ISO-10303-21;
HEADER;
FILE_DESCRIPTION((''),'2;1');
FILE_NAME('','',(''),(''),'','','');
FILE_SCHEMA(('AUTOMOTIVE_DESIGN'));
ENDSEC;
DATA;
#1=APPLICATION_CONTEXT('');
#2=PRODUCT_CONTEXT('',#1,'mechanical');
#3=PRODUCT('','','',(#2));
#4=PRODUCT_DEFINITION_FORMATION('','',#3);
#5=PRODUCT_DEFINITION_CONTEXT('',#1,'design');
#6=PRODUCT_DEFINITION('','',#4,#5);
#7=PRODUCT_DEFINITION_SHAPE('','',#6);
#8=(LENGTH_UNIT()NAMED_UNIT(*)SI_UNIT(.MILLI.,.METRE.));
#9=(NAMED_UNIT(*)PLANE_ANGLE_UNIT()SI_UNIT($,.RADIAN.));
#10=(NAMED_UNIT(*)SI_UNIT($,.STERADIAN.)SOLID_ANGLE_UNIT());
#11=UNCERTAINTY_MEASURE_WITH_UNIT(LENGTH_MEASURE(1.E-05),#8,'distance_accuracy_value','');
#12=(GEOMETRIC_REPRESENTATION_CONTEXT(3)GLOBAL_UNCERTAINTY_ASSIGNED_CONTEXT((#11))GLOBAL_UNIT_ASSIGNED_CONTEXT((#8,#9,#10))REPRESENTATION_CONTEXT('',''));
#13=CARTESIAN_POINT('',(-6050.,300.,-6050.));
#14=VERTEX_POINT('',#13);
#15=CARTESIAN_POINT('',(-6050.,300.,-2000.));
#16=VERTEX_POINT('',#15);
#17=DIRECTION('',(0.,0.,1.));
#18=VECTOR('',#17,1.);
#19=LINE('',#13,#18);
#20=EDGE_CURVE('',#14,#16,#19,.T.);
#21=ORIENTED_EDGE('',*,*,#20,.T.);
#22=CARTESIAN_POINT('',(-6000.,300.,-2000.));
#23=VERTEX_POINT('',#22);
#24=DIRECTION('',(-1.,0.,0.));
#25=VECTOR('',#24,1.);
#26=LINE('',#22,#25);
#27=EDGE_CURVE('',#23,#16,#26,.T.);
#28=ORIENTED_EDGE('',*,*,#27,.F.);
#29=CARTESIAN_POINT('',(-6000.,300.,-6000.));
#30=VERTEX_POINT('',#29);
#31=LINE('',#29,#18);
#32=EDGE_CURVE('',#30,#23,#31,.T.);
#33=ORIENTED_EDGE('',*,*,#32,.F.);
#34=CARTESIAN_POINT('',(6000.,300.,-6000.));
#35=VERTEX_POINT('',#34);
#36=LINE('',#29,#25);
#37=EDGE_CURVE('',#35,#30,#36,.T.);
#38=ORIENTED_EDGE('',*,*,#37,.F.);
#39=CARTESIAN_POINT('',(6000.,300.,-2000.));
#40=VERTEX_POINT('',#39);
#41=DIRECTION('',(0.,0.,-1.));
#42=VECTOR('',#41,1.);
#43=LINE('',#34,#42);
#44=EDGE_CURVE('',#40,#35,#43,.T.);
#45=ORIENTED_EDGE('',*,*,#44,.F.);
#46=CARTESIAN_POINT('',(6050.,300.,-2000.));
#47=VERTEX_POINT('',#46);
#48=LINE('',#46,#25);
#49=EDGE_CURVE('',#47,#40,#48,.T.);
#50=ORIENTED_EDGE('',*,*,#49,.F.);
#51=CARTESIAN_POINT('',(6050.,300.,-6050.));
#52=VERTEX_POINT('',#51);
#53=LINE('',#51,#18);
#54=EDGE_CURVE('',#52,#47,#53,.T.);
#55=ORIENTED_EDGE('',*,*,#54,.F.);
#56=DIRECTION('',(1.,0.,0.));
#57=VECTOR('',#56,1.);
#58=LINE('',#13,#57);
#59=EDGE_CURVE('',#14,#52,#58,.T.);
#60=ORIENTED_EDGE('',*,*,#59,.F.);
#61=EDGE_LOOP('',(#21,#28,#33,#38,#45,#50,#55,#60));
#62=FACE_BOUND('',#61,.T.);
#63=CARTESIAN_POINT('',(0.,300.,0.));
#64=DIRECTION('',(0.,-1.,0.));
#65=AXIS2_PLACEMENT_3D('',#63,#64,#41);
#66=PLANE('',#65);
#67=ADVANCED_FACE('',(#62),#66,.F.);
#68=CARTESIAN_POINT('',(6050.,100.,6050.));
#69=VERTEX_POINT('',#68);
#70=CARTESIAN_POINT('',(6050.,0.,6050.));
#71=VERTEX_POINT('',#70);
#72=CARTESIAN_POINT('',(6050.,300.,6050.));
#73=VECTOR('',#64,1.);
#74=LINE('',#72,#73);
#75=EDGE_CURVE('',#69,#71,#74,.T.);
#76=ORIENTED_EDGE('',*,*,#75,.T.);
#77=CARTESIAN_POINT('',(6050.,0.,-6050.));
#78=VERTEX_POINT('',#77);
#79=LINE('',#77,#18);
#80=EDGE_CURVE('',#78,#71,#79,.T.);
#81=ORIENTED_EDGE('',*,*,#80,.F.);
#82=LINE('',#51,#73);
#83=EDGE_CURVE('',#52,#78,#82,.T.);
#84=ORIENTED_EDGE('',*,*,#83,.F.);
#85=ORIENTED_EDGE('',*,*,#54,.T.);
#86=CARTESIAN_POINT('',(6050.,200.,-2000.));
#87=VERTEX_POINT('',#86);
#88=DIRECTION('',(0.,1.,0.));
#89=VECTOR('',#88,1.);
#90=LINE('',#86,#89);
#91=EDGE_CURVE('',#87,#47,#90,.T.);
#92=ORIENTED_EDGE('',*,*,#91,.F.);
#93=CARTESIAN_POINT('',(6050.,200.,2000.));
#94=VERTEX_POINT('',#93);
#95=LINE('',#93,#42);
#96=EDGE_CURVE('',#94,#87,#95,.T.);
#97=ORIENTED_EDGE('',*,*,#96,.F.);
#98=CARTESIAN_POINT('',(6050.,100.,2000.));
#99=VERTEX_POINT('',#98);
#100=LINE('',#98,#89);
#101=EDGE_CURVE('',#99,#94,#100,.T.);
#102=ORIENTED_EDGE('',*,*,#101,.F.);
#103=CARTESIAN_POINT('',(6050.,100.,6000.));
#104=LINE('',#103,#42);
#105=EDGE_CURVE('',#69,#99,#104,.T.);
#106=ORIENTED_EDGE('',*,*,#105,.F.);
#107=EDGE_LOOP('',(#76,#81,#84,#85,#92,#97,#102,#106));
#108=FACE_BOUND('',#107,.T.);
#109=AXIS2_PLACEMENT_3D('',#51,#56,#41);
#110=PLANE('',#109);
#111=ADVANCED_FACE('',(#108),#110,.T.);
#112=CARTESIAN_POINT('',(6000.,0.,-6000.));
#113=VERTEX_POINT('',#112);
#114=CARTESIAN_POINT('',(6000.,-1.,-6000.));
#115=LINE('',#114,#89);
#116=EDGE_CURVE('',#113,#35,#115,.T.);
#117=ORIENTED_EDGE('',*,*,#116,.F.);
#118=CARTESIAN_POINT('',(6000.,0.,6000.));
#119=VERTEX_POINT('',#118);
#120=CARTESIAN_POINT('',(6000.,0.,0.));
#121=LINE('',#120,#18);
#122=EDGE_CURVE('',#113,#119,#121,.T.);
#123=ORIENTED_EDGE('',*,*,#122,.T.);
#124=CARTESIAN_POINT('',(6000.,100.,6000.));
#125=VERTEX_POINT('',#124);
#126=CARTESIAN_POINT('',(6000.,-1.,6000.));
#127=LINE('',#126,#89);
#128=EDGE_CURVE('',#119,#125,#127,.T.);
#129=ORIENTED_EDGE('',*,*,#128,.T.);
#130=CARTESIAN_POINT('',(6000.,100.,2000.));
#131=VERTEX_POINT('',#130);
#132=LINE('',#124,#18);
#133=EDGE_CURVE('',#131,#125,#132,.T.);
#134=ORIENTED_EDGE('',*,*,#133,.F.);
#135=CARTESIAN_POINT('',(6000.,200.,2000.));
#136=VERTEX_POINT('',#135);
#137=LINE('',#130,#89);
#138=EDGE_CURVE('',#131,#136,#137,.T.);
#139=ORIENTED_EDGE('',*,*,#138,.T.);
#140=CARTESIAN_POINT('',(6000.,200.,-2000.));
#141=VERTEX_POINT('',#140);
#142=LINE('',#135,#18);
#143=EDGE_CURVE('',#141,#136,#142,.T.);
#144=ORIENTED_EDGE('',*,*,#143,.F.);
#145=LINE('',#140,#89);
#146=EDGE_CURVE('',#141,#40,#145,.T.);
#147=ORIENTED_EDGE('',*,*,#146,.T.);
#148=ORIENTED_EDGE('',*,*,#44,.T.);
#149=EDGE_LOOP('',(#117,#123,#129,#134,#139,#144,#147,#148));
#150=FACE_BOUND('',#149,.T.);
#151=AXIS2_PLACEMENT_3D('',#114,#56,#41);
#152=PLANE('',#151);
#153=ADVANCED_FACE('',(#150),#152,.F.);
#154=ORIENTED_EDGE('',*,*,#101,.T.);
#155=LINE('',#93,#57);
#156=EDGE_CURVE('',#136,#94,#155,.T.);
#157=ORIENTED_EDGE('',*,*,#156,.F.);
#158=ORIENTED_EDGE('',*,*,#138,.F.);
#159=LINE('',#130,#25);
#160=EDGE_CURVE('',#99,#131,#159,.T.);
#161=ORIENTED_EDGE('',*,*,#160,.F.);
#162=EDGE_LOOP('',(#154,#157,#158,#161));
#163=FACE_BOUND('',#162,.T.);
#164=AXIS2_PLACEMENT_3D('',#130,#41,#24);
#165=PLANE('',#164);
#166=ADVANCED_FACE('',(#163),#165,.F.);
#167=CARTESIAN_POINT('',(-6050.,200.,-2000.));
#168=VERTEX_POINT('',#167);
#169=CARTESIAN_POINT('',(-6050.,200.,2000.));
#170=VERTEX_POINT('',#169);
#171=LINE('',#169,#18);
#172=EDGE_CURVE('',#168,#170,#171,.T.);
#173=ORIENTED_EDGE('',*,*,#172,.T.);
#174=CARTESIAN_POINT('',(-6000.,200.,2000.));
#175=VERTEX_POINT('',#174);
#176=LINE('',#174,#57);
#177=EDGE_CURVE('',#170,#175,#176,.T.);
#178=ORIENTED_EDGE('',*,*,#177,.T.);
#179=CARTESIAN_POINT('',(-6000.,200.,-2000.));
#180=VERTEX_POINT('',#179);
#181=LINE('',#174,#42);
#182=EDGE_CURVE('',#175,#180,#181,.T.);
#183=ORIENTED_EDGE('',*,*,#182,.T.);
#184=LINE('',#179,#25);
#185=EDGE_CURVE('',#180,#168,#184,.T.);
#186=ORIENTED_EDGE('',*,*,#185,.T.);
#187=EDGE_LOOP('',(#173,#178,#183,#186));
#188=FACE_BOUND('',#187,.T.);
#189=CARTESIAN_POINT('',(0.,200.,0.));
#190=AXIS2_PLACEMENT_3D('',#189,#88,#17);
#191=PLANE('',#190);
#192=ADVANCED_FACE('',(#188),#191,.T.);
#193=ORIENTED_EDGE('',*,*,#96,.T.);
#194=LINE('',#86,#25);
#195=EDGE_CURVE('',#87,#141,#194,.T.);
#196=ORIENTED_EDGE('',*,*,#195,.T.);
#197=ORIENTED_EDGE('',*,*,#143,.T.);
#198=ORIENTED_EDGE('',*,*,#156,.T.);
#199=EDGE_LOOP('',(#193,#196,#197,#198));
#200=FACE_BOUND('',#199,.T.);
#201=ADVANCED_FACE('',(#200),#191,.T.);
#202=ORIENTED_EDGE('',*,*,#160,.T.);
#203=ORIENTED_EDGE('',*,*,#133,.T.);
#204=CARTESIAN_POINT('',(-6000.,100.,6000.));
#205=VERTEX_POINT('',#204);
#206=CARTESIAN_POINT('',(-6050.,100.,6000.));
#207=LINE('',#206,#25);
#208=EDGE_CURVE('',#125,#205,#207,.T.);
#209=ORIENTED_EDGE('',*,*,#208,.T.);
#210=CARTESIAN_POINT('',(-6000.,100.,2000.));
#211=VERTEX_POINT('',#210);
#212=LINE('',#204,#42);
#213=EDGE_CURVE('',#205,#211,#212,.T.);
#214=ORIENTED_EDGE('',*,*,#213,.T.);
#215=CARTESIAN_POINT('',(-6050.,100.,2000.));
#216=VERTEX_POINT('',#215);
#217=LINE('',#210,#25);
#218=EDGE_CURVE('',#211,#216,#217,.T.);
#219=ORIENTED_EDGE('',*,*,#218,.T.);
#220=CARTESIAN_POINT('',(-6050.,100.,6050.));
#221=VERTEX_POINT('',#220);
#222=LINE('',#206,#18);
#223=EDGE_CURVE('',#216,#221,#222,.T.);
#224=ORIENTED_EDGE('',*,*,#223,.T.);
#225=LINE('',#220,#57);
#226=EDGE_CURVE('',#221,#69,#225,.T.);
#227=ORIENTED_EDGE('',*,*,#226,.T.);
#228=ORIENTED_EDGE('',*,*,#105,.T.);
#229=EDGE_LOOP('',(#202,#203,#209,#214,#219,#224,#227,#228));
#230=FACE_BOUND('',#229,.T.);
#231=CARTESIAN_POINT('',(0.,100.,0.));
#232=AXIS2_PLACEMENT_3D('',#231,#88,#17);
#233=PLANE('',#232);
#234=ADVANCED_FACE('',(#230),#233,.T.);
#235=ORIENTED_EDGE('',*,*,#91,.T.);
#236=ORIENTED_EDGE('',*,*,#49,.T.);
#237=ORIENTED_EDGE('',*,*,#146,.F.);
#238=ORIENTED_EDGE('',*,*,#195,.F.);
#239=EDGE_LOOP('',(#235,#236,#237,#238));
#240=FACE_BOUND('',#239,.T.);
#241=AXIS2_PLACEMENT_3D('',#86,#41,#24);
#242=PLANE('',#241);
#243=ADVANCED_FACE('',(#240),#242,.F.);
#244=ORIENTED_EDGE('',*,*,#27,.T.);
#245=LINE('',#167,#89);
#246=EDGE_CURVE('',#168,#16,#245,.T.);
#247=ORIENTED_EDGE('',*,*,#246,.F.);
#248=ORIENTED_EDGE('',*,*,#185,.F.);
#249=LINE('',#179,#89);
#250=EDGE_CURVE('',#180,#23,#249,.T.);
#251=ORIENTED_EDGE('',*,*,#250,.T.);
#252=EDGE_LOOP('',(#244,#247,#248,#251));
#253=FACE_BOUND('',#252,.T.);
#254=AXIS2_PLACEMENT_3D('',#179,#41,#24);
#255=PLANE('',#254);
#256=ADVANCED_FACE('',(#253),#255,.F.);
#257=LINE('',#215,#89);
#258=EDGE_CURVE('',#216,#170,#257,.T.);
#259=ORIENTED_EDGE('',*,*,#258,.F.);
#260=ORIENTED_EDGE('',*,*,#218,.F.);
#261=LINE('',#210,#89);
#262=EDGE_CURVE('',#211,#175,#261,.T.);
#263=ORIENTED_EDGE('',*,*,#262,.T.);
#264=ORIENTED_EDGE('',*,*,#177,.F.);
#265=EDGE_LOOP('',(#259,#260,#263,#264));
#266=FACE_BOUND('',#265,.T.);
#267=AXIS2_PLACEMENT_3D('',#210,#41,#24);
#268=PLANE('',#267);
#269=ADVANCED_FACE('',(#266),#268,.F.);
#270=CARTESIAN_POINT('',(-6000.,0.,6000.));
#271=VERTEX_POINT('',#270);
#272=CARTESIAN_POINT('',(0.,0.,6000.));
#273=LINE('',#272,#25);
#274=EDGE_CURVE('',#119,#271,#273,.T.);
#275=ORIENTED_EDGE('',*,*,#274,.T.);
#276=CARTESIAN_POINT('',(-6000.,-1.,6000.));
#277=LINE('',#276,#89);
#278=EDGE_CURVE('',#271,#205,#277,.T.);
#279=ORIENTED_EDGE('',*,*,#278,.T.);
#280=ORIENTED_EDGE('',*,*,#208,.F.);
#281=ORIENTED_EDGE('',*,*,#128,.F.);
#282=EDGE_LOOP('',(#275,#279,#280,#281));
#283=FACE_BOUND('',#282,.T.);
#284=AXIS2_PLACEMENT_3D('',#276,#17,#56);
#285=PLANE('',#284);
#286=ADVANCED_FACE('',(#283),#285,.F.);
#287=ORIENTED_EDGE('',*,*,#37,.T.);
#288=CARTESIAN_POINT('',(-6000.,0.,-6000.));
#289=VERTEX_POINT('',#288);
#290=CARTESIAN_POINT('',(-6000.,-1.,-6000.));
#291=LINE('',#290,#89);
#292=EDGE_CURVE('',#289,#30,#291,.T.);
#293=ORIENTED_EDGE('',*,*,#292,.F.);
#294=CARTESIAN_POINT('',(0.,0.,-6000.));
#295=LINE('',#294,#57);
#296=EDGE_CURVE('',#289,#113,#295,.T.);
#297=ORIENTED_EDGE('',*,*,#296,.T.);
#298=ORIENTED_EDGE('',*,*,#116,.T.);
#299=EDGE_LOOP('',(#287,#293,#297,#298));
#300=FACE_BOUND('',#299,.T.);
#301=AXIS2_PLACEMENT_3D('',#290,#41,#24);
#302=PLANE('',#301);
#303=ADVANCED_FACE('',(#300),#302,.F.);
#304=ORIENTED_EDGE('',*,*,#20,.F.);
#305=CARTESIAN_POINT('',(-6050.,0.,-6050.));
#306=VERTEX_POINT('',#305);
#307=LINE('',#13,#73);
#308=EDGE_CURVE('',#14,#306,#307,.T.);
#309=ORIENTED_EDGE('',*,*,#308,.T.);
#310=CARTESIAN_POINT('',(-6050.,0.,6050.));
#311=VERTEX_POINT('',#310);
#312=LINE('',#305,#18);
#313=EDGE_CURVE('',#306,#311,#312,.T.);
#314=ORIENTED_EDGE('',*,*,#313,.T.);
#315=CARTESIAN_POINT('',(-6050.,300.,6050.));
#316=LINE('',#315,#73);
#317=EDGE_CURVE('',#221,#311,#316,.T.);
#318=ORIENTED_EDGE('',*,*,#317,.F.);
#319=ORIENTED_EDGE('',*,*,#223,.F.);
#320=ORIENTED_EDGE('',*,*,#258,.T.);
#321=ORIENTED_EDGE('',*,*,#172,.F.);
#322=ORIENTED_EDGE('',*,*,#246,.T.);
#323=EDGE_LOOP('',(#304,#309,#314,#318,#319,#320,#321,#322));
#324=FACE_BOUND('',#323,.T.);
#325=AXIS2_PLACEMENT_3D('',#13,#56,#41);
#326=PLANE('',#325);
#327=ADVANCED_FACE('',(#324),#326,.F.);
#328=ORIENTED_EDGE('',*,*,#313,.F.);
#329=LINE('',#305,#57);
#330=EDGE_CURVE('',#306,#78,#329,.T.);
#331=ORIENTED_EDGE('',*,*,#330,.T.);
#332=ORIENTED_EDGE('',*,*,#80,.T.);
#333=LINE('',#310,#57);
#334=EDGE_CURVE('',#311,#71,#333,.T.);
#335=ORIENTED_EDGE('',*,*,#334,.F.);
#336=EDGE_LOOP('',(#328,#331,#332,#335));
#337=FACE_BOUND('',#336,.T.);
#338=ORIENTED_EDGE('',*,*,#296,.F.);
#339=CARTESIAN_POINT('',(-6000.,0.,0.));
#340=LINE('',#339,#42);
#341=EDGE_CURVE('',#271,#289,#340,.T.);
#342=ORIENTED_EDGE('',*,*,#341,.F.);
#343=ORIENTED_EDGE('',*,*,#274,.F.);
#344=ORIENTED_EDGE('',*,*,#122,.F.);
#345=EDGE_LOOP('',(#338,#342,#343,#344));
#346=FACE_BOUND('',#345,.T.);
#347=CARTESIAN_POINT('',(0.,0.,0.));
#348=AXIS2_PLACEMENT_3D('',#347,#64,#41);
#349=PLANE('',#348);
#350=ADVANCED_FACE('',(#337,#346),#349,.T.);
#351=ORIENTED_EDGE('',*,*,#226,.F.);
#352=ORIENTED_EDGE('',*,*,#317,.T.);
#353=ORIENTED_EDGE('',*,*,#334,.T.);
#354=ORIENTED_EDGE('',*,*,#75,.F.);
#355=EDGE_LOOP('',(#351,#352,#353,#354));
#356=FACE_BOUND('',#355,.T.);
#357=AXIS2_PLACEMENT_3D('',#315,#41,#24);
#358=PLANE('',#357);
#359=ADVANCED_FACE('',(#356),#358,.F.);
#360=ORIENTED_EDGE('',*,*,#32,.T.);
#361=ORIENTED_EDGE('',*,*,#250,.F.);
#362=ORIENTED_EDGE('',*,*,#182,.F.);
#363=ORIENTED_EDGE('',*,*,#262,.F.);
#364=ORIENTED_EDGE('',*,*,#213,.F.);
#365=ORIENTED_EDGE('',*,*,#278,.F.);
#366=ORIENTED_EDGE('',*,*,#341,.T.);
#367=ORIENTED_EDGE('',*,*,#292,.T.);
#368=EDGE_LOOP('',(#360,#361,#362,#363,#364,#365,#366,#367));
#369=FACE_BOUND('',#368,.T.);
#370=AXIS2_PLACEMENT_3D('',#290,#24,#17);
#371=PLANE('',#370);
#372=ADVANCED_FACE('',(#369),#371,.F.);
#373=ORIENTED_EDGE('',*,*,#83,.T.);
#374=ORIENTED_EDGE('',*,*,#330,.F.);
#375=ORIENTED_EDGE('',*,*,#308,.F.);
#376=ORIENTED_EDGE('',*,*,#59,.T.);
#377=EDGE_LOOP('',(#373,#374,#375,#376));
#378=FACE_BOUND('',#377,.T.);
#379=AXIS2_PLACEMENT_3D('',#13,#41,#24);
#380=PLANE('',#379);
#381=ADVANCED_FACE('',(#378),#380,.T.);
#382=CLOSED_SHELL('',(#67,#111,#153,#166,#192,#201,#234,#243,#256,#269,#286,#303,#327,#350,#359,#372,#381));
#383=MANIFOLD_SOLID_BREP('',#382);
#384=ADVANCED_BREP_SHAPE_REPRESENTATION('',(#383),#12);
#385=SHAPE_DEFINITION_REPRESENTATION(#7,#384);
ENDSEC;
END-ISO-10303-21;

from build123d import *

# Parameters (mm, degrees)
SKETCH2_W           = 12100
SKETCH2_H           = 12100
BOSS_EXTRUDE2_DEPTH = 300
SKETCH3_W           = 12000
SKETCH3_H           = 12000
CUT_EXTRUDE1_DEPTH  = 301
SKETCH5_W           = 50
SKETCH5_H           = 4000
CUT_EXTRUDE2_DEPTH  = 200
SKETCH6_W           = 50
SKETCH6_H           = 4000
CUT_EXTRUDE3_DEPTH  = 100
SKETCH7_W           = 50
SKETCH7_H           = 4000
CUT_EXTRUDE4_DEPTH  = 200
SKETCH8_W           = 50
SKETCH8_H           = 4000
CUT_EXTRUDE5_DEPTH  = 100
SKETCH10_W          = 12100
SKETCH10_H          = 50
CUT_EXTRUDE6_DEPTH  = 200


with BuildPart() as part:
    # Sketch2 → Boss-Extrude2 (new body)
    with BuildSketch(Plane(origin=(0, 0, 0), x_dir=(1, 0, 0), z_dir=(0, 1, 0))):
        Rectangle(SKETCH2_W, SKETCH2_H)
    extrude(amount=BOSS_EXTRUDE2_DEPTH)

    # Sketch3 → Cut-Extrude1 (cut)
    with BuildSketch(Plane(origin=(0, 300, 0), x_dir=(1, 0, 0), z_dir=(0, 1, 0))):
        Rectangle(SKETCH3_W, SKETCH3_H)
    extrude(amount=-CUT_EXTRUDE1_DEPTH, mode=Mode.SUBTRACT)

    # Sketch5 → Cut-Extrude2 (cut)
    with BuildSketch(Plane(origin=(0, 300, 0), x_dir=(1, 0, 0), z_dir=(0, 1, 0))):
        with Locations((-6025, -4000)):
            Rectangle(SKETCH5_W, SKETCH5_H)
    extrude(amount=-CUT_EXTRUDE2_DEPTH, mode=Mode.SUBTRACT)

    # Sketch6 → Cut-Extrude3 (cut)
    with BuildSketch(Plane(origin=(0, 300, 0), x_dir=(1, 0, 0), z_dir=(0, 1, 0))):
        with Locations((-6025, 0)):
            Rectangle(SKETCH6_W, SKETCH6_H)
    extrude(amount=-CUT_EXTRUDE3_DEPTH, mode=Mode.SUBTRACT)

    # Sketch7 → Cut-Extrude4 (cut)
    with BuildSketch(Plane(origin=(0, 300, 0), x_dir=(1, 0, 0), z_dir=(0, 1, 0))):
        with Locations((6025, -4000)):
            Rectangle(SKETCH7_W, SKETCH7_H)
    extrude(amount=-CUT_EXTRUDE4_DEPTH, mode=Mode.SUBTRACT)

    # Sketch8 → Cut-Extrude5 (cut)
    with BuildSketch(Plane(origin=(0, 300, 0), x_dir=(1, 0, 0), z_dir=(0, 1, 0))):
        with Locations((6025, 0)):
            Rectangle(SKETCH8_W, SKETCH8_H)
    extrude(amount=-CUT_EXTRUDE5_DEPTH, mode=Mode.SUBTRACT)

    # Sketch10 → Cut-Extrude6 (cut)
    with BuildSketch(Plane(origin=(0, 300, 0), x_dir=(1, 0, 0), z_dir=(0, 1, 0))):
        with Locations((0, -6025)):
            Rectangle(SKETCH10_W, SKETCH10_H)
    extrude(amount=-CUT_EXTRUDE6_DEPTH, mode=Mode.SUBTRACT)


solid = part.part
